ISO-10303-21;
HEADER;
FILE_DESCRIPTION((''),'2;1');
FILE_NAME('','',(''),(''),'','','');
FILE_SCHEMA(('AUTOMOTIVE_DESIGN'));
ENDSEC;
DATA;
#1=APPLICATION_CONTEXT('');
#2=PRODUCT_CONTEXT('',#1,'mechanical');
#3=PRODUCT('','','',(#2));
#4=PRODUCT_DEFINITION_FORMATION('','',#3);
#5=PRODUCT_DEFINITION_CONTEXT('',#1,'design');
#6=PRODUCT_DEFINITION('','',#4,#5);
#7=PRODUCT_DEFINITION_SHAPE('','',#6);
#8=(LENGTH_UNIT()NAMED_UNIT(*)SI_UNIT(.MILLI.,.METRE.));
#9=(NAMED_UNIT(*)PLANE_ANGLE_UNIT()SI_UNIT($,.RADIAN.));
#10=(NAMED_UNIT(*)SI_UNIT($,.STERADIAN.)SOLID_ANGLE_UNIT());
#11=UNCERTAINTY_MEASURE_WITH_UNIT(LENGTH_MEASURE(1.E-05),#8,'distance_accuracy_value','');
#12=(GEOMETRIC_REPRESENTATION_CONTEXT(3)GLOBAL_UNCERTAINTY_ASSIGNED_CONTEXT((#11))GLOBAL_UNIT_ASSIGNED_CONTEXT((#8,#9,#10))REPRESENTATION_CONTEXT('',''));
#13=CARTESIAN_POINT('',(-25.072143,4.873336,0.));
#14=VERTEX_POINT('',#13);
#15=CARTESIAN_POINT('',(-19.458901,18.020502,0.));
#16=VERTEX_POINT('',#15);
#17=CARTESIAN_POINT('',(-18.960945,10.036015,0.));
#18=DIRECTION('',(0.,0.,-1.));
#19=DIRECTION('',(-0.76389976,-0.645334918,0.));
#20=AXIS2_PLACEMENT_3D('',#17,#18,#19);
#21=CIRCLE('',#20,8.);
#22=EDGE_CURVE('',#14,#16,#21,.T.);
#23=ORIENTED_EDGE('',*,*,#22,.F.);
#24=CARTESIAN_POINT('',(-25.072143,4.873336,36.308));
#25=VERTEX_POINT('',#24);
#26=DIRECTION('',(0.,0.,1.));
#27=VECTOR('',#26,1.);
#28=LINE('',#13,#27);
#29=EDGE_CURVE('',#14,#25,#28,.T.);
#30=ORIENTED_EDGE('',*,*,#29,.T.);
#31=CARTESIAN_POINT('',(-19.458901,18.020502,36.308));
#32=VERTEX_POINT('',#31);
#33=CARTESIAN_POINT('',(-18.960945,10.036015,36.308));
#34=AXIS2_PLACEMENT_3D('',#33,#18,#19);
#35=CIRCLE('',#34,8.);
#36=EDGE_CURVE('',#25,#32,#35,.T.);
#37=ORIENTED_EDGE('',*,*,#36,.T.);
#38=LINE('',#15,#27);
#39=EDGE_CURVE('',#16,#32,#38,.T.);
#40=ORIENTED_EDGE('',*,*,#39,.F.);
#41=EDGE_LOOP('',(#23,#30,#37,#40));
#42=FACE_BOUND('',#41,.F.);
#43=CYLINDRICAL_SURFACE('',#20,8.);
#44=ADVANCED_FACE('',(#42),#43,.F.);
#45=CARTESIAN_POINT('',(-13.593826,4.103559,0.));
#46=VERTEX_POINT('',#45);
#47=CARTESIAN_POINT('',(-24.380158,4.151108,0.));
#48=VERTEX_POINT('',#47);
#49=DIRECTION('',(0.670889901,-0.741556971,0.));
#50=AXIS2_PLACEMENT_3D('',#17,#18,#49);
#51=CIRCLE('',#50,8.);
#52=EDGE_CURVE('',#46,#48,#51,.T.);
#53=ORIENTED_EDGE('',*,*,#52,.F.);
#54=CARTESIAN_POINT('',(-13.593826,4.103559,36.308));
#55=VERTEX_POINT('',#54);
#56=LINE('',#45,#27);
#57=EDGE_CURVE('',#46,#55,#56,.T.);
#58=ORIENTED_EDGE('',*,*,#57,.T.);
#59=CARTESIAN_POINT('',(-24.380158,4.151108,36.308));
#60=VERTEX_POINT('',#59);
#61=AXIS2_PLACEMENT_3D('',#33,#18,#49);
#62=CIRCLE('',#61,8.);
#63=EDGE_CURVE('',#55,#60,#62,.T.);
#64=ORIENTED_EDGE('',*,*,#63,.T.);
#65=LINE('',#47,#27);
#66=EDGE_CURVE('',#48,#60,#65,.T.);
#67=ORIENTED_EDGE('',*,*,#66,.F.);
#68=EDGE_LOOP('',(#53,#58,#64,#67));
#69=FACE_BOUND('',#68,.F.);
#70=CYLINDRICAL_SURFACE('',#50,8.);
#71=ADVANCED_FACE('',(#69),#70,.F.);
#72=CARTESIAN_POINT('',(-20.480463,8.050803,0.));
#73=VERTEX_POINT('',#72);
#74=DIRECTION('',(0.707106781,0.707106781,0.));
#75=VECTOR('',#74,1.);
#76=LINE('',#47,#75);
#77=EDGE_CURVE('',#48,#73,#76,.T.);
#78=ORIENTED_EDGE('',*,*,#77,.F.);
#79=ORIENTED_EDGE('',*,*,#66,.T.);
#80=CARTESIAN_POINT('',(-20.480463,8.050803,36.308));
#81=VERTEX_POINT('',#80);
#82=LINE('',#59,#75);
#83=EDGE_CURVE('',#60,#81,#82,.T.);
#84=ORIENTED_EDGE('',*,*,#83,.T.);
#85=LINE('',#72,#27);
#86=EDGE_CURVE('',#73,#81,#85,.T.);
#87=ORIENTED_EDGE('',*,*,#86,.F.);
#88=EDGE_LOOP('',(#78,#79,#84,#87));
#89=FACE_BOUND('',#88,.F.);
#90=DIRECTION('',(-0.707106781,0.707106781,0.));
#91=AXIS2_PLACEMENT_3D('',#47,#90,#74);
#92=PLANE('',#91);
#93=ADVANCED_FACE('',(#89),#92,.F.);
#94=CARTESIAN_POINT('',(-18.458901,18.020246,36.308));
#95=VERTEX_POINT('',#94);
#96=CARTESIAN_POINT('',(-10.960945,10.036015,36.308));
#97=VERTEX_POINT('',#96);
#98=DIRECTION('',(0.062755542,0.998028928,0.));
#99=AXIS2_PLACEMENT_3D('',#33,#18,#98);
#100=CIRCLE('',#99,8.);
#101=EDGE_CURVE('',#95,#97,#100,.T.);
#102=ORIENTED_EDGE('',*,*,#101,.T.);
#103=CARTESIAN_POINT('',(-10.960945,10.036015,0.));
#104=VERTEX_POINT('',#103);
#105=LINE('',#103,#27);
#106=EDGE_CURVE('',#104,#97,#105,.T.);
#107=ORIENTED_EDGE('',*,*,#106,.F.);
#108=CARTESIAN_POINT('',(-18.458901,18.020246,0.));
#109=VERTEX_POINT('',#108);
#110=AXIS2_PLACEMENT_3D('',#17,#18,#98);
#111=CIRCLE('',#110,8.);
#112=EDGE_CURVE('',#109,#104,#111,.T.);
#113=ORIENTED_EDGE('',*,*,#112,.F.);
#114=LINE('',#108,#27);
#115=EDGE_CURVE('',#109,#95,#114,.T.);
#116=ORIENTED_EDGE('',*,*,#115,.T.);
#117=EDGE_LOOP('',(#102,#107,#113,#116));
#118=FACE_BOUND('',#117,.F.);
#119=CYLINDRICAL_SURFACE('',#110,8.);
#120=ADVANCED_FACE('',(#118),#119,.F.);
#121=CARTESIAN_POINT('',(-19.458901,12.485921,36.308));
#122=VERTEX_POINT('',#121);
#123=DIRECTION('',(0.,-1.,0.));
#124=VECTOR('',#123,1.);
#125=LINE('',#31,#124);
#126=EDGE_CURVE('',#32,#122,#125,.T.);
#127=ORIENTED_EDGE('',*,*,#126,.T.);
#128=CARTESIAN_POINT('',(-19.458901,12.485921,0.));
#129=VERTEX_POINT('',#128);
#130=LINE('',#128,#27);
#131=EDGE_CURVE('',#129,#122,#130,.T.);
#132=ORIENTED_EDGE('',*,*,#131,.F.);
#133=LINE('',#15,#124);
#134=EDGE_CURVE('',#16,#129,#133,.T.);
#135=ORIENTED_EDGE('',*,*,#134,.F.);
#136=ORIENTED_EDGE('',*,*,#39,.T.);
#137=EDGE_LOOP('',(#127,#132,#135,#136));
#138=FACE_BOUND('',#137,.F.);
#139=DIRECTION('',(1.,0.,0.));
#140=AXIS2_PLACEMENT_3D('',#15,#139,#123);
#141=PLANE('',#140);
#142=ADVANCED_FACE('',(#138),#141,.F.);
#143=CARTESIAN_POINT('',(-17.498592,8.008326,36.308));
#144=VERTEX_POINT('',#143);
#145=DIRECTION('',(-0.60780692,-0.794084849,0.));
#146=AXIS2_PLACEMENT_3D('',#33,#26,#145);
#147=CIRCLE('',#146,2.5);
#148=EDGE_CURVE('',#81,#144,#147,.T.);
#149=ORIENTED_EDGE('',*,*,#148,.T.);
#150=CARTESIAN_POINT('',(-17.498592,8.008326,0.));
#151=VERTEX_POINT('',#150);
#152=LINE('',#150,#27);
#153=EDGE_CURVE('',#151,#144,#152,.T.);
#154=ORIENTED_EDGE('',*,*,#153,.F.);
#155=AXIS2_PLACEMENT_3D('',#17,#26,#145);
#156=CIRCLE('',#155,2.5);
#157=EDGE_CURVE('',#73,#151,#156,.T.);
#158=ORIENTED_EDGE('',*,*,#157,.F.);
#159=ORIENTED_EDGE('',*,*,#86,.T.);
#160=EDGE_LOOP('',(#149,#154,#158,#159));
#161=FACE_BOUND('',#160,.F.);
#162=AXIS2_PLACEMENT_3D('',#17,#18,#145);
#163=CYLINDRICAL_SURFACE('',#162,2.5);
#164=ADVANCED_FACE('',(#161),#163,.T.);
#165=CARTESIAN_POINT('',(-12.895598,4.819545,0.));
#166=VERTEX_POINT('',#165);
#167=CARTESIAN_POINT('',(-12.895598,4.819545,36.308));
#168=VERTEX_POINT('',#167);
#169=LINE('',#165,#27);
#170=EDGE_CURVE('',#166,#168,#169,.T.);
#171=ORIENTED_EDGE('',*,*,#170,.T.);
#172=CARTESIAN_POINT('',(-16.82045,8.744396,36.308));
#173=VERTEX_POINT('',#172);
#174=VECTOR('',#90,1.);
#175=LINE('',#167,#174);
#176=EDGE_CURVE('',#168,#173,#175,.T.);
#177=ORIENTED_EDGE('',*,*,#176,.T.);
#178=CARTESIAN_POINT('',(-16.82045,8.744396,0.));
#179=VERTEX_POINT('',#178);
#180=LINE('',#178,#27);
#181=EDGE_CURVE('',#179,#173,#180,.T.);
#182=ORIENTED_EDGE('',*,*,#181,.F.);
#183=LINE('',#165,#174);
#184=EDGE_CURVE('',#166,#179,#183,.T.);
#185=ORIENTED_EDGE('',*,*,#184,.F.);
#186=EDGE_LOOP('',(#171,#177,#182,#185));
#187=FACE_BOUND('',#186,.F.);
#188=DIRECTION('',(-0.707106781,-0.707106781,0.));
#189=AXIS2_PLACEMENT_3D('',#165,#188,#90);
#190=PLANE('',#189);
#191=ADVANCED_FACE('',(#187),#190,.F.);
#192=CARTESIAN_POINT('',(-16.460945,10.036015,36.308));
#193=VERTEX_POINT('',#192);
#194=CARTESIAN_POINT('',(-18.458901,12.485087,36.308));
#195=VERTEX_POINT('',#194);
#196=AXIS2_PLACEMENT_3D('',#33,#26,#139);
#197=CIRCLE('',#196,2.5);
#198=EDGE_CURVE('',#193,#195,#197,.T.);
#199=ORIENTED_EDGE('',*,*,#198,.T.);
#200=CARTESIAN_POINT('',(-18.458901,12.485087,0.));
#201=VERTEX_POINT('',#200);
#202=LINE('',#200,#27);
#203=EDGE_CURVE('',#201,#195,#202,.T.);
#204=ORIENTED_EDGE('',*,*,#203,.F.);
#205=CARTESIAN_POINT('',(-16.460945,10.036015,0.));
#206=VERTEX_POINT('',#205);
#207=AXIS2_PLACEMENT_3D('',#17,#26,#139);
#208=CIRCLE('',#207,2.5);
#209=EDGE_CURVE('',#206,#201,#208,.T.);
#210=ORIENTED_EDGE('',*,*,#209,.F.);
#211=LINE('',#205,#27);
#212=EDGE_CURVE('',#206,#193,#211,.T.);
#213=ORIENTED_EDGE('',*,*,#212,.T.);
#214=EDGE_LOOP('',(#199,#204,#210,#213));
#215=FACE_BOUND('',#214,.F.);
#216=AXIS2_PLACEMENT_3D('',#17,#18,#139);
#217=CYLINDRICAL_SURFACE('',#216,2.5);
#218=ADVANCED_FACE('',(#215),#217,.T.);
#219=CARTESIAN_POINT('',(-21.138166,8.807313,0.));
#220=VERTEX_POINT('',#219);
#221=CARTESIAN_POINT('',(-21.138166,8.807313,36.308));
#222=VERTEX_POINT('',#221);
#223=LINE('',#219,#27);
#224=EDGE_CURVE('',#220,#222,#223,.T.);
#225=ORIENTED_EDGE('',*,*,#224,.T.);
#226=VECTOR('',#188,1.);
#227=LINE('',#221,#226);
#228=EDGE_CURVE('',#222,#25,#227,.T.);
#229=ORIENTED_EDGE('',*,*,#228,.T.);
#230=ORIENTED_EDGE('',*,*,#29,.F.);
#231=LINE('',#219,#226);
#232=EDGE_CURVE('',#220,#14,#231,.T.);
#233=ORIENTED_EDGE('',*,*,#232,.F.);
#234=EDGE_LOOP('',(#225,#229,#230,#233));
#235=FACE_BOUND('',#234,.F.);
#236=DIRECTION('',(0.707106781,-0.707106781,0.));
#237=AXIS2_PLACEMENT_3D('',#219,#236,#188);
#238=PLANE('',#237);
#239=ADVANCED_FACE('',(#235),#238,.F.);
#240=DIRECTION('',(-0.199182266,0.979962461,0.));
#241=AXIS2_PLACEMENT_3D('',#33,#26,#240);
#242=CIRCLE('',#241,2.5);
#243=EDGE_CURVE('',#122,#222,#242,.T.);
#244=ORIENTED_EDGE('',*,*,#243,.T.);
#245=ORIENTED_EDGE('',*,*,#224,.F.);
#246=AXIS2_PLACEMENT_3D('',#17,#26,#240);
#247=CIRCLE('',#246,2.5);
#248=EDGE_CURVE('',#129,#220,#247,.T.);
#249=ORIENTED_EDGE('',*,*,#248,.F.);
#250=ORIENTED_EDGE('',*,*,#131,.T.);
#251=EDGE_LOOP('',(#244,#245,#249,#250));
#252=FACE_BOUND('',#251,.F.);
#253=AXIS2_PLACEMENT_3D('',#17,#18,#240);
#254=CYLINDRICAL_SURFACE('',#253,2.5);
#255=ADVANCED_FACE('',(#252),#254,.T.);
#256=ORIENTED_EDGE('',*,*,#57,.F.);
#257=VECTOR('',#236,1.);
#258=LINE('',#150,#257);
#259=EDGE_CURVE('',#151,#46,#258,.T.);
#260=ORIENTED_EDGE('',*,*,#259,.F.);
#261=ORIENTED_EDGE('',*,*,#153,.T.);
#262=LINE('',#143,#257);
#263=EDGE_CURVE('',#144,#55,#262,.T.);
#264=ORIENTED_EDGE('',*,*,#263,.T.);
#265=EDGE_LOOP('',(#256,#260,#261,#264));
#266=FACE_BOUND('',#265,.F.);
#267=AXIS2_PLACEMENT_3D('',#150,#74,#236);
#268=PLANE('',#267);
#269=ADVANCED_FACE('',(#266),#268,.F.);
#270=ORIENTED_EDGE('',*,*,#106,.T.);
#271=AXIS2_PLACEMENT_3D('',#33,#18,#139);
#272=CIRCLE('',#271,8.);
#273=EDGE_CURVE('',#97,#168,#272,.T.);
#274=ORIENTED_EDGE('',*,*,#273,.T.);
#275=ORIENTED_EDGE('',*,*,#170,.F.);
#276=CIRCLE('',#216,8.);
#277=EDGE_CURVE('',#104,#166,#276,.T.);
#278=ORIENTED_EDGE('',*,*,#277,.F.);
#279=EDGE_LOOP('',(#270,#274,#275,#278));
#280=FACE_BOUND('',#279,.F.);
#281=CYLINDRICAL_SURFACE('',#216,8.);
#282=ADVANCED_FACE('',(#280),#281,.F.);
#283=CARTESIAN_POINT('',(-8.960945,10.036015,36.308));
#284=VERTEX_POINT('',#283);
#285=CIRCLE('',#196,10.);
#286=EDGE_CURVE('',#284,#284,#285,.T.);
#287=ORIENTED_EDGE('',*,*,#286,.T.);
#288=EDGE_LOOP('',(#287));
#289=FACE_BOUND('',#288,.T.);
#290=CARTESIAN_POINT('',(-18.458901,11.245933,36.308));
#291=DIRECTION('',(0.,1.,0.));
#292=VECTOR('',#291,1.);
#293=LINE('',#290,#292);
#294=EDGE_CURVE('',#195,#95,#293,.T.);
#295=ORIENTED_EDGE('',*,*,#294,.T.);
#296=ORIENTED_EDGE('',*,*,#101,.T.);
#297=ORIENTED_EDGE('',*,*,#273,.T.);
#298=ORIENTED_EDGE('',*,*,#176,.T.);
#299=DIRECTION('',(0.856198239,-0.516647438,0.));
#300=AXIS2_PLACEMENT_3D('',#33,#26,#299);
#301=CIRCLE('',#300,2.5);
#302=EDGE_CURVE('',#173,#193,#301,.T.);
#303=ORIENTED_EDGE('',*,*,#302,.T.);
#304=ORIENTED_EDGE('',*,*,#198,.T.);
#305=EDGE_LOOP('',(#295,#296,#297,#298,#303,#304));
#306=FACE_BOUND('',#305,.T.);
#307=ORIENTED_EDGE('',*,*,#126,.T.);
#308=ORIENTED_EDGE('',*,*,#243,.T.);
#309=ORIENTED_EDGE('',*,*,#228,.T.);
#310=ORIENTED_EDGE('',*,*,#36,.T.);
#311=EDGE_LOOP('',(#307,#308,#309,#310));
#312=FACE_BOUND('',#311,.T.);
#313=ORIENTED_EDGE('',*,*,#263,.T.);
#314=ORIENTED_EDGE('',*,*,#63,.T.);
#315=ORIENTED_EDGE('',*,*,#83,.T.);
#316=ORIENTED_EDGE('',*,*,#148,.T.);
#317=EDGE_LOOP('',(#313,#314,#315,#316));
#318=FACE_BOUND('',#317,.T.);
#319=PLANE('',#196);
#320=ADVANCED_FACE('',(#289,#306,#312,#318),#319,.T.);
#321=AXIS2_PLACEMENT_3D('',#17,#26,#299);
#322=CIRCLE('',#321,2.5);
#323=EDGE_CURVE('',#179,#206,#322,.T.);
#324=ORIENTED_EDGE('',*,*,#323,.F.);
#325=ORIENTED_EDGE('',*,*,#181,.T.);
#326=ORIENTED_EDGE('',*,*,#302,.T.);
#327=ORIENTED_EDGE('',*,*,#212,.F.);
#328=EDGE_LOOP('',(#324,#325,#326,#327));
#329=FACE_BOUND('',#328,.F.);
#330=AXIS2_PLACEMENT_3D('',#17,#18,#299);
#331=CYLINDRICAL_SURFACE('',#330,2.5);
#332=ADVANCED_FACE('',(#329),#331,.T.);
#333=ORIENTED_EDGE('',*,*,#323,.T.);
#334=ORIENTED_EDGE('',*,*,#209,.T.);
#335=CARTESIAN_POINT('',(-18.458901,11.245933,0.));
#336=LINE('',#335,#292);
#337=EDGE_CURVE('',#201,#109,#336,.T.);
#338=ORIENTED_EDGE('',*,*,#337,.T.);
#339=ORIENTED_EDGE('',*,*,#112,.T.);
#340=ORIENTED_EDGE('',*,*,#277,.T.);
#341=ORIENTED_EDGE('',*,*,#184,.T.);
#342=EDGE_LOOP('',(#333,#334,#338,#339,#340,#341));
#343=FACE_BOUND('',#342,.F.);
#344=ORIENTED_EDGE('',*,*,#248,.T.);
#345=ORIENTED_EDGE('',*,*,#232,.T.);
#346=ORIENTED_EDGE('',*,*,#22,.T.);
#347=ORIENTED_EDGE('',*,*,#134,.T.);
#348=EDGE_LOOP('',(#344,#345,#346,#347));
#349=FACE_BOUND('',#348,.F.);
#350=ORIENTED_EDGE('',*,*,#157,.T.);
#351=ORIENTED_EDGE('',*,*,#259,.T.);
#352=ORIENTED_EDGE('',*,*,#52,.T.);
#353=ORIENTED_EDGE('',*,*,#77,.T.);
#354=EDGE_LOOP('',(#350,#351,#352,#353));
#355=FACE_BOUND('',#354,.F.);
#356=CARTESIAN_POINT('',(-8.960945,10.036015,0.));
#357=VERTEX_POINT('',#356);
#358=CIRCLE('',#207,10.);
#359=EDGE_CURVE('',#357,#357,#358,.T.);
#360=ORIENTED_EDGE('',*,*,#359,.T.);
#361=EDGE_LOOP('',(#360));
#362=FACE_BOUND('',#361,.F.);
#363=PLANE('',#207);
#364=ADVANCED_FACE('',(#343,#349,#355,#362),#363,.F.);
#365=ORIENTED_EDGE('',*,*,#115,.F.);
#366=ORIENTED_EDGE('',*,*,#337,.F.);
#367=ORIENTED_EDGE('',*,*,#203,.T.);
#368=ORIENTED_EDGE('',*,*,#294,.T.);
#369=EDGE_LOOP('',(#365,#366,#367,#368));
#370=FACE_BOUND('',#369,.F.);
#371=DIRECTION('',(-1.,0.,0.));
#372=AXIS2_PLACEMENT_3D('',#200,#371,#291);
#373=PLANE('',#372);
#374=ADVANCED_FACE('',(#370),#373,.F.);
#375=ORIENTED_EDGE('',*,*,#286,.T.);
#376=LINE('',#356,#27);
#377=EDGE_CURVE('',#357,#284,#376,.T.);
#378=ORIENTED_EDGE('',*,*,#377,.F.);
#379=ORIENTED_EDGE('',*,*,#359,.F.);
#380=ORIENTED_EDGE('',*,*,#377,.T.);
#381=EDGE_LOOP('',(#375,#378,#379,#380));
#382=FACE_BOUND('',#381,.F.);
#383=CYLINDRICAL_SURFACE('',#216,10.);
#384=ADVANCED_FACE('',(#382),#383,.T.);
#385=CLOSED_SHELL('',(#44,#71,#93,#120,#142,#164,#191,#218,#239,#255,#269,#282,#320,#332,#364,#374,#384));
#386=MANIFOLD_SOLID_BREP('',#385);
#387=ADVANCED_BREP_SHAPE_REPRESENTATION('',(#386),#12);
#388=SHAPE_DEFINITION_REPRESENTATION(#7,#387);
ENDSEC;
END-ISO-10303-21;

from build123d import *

# Parameters (mm, degrees)
F0_R     = 10
F1_DEPTH = 36.308


with BuildPart() as f1:
    # F0 (on Top) → F1 (new body)
    with BuildSketch(Plane.XY):
        with Locations((-18.9609453082, 10.0360149518)):
            Circle(F0_R)
        with BuildLine():
            Line((-18.4589009732, 19.109684974), (-18.4589009732, 18.0202463791))
            ThreePointArc((-18.4589009732, 18.0202463791), (-13.1292922544, 15.5124939903), (-10.9609453082, 10.0360149518))
            ThreePointArc((-10.9609453082, 10.0360149518), (-11.4601860694, 7.2541790758), (-12.8955980184, 4.8195446648))
            Line((-12.8955980184, 4.8195446648), (-12.106724124, 4.0306707704))
            Line((-12.106724124, 4.0306707704), (-12.8138309051, 3.3235639892))
            Line((-12.8138309051, 3.3235639892), (-13.5938261014, 4.1035591854))
            ThreePointArc((-13.5938261014, 4.1035591854), (-18.9962106116, 2.0360926797), (-24.3801578833, 4.1511075552))
            Line((-24.3801578833, 4.1511075552), (-25.3775505817, 3.1537148568))
            Line((-25.3775505817, 3.1537148568), (-26.0846573629, 3.860821638))
            Line((-26.0846573629, 3.860821638), (-25.0721433913, 4.8733356096))
            ThreePointArc((-25.0721433913, 4.8733356096), (-26.3184059511, 13.1773160975), (-19.4589009732, 18.0205024216))
            Line((-19.4589009732, 18.0205024216), (-19.4589009732, 19.109684974))
            Line((-19.4589009732, 19.109684974), (-18.4589009732, 19.109684974))
        make_face(mode=Mode.SUBTRACT)
        with BuildLine():
            ThreePointArc((-19.4589009732, 12.4859211042), (-18.9588588175, 12.5360140811), (-18.4589009732, 12.4850865076))
            Line((-18.4589009732, 12.4850865076), (-18.4589009732, 18.0202463791))
            ThreePointArc((-18.4589009732, 18.0202463791), (-18.9588969686, 18.0360146895), (-19.4589009732, 18.0205024216))
            Line((-19.4589009732, 18.0205024216), (-19.4589009732, 12.4859211042))
        make_face()
        with BuildLine():
            ThreePointArc((-19.4589009732, 18.0205024216), (-18.9588969686, 18.0360146895), (-18.4589009732, 18.0202463791))
            Line((-18.4589009732, 18.0202463791), (-18.4589009732, 19.109684974))
            Line((-18.4589009732, 19.109684974), (-19.4589009732, 19.109684974))
            Line((-19.4589009732, 19.109684974), (-19.4589009732, 18.0205024216))
        make_face()
        with BuildLine():
            Line((-18.4589009732, 11.2459333614), (-18.4589009732, 12.4850865076))
            ThreePointArc((-18.4589009732, 12.4850865076), (-18.9588588175, 12.5360140811), (-19.4589009732, 12.4859211042))
            Line((-19.4589009732, 12.4859211042), (-19.4589009732, 11.2459333614))
            Line((-19.4589009732, 11.2459333614), (-18.4589009732, 11.2459333614))
        make_face()
        with BuildLine():
            ThreePointArc((-16.8204497103, 8.7443963567), (-16.5524977797, 9.3656564637), (-16.4609453082, 10.0360149518))
            ThreePointArc((-16.4609453082, 10.0360149518), (-17.0237939412, 11.6163454809), (-18.4589009732, 12.4850865076))
            Line((-18.4589009732, 12.4850865076), (-18.4589009732, 11.2459333614))
            Line((-18.4589009732, 11.2459333614), (-19.4589009732, 11.2459333614))
            Line((-19.4589009732, 11.2459333614), (-19.4589009732, 12.4859211042))
            ThreePointArc((-19.4589009732, 12.4859211042), (-21.2351885371, 11.0741949631), (-21.1381662312, 8.8073127697))
            Line((-21.1381662312, 8.8073127697), (-20.4958576295, 9.4496213715))
            Line((-20.4958576295, 9.4496213715), (-19.7887508483, 8.7425145903))
            Line((-19.7887508483, 8.7425145903), (-20.4804626093, 8.0508028292))
            ThreePointArc((-20.4804626093, 8.0508028292), (-18.9965546301, 7.5362685694), (-17.4985924868, 8.0083255708))
            Line((-17.4985924868, 8.0083255708), (-18.2611958015, 8.7709288855))
            Line((-18.2611958015, 8.7709288855), (-17.5540890203, 9.4780356667))
            Line((-17.5540890203, 9.4780356667), (-16.8204497103, 8.7443963567))
        make_face()
        with BuildLine():
            ThreePointArc((-17.4985924868, 8.0083255708), (-17.1223101531, 8.3420784812), (-16.8204497103, 8.7443963567))
            Line((-16.8204497103, 8.7443963567), (-17.5540890203, 9.4780356667))
            Line((-17.5540890203, 9.4780356667), (-18.2611958015, 8.7709288855))
            Line((-18.2611958015, 8.7709288855), (-17.4985924868, 8.0083255708))
        make_face()
        with BuildLine():
            ThreePointArc((-20.4804626093, 8.0508028292), (-20.8476210082, 8.3957543618), (-21.1381662312, 8.8073127697))
            Line((-21.1381662312, 8.8073127697), (-25.0721433913, 4.8733356096))
            ThreePointArc((-25.0721433913, 4.8733356096), (-24.7374490801, 4.5013962501), (-24.3801578833, 4.1511075552))
            Line((-24.3801578833, 4.1511075552), (-20.4804626093, 8.0508028292))
        make_face()
        with BuildLine():
            Line((-20.4958576295, 9.4496213715), (-21.1381662312, 8.8073127697))
            ThreePointArc((-21.1381662312, 8.8073127697), (-20.8476210082, 8.3957543618), (-20.4804626093, 8.0508028292))
            Line((-20.4804626093, 8.0508028292), (-19.7887508483, 8.7425145903))
            Line((-19.7887508483, 8.7425145903), (-20.4958576295, 9.4496213715))
        make_face()
        with BuildLine():
            ThreePointArc((-24.3801578833, 4.1511075552), (-24.7374490801, 4.5013962501), (-25.0721433913, 4.8733356096))
            Line((-25.0721433913, 4.8733356096), (-26.0846573629, 3.860821638))
            Line((-26.0846573629, 3.860821638), (-25.3775505817, 3.1537148568))
            Line((-25.3775505817, 3.1537148568), (-24.3801578833, 4.1511075552))
        make_face()
        with BuildLine():
            Line((-12.8955980184, 4.8195446648), (-16.8204497103, 8.7443963567))
            ThreePointArc((-16.8204497103, 8.7443963567), (-17.1223101531, 8.3420784812), (-17.4985924868, 8.0083255708))
            Line((-17.4985924868, 8.0083255708), (-13.5938261014, 4.1035591854))
            ThreePointArc((-13.5938261014, 4.1035591854), (-13.2335129559, 4.4506305738), (-12.8955980184, 4.8195446648))
        make_face()
        with BuildLine():
            Line((-12.106724124, 4.0306707704), (-12.8955980184, 4.8195446648))
            ThreePointArc((-12.8955980184, 4.8195446648), (-13.2335129559, 4.4506305738), (-13.5938261014, 4.1035591854))
            Line((-13.5938261014, 4.1035591854), (-12.8138309051, 3.3235639892))
            Line((-12.8138309051, 3.3235639892), (-12.106724124, 4.0306707704))
        make_face()
    extrude(amount=F1_DEPTH)


solid = f1.part
